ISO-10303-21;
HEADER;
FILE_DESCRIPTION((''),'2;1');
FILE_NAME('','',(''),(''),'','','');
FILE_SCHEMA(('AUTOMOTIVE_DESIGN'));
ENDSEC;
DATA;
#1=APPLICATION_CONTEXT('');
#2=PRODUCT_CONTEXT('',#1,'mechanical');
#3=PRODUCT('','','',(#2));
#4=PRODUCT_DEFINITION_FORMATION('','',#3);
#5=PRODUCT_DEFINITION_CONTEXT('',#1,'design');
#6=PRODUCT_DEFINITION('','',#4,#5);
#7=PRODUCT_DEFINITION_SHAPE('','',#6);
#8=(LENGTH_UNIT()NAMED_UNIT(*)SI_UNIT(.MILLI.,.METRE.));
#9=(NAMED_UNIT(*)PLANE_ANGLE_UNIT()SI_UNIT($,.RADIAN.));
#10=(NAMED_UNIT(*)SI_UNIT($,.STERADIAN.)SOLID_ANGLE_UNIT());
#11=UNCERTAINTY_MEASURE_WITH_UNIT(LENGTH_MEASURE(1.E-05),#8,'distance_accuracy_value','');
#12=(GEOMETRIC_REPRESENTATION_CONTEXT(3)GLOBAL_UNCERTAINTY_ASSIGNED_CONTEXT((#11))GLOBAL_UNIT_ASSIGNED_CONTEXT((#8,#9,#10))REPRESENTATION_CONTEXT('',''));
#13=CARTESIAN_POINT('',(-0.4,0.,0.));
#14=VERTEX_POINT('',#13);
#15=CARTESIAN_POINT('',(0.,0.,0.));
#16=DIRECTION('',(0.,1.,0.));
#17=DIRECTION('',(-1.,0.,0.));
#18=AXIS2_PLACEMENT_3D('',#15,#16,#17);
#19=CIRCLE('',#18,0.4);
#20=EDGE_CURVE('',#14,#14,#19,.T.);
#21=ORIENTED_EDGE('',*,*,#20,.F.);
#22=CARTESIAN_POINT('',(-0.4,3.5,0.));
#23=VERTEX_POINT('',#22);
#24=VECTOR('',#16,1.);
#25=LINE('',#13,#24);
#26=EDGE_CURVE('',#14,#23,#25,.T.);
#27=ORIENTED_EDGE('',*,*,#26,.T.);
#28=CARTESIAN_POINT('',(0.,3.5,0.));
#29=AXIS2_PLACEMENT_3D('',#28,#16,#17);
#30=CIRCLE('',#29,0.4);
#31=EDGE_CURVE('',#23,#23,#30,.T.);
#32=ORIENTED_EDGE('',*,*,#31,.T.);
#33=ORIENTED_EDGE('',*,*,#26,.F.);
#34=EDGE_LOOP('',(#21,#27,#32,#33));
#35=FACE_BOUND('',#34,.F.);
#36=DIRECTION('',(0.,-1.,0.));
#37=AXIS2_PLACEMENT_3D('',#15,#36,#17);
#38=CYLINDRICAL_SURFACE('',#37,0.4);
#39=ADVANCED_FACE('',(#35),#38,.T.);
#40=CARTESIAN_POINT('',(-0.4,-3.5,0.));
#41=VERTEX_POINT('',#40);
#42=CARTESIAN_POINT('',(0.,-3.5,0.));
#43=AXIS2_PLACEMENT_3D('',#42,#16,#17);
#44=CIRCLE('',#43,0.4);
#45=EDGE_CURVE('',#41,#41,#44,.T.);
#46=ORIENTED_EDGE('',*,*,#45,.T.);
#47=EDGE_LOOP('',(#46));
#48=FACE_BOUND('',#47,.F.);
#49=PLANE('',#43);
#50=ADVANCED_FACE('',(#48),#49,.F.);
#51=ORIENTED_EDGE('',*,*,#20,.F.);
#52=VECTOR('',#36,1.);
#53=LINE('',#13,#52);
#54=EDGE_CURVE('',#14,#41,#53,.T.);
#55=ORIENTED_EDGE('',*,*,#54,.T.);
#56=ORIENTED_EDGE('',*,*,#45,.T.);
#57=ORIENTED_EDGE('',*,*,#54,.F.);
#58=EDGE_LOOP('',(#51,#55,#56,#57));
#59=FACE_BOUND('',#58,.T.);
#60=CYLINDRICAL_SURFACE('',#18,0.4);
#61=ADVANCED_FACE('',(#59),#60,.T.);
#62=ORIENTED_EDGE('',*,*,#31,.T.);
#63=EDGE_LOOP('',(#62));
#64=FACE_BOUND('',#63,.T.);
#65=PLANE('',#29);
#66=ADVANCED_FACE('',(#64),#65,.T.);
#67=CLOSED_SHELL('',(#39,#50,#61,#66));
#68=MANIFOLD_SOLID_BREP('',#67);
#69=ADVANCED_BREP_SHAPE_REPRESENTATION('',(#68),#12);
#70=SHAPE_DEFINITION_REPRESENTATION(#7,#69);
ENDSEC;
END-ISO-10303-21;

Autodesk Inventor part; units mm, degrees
ref_plane "YZ Plane" through (0, 0, 0) normal (1, 0, 0) x (0, 1, 0)
ref_plane "XZ Plane" through (0, 0, 0) normal (0, 1, 0) x (-1, 0, 0)
ref_plane "XY Plane" through (0, 0, 0) normal (0, 0, 1) x (1, 0, 0)
sketch "Sketch1" plane through (0, 0, 0) normal (0, 1, 0) x (-1, 0, 0)
  circle A0 centre (0, 0) radius 0.4
  dimension "d0" = 0.8
extrude "Extrusion1" add sketch "Sketch1" along normal mid plane 7
properties part number "pinSDCARDTOTEENSY" material "Nickel-Copper Alloy 400"
